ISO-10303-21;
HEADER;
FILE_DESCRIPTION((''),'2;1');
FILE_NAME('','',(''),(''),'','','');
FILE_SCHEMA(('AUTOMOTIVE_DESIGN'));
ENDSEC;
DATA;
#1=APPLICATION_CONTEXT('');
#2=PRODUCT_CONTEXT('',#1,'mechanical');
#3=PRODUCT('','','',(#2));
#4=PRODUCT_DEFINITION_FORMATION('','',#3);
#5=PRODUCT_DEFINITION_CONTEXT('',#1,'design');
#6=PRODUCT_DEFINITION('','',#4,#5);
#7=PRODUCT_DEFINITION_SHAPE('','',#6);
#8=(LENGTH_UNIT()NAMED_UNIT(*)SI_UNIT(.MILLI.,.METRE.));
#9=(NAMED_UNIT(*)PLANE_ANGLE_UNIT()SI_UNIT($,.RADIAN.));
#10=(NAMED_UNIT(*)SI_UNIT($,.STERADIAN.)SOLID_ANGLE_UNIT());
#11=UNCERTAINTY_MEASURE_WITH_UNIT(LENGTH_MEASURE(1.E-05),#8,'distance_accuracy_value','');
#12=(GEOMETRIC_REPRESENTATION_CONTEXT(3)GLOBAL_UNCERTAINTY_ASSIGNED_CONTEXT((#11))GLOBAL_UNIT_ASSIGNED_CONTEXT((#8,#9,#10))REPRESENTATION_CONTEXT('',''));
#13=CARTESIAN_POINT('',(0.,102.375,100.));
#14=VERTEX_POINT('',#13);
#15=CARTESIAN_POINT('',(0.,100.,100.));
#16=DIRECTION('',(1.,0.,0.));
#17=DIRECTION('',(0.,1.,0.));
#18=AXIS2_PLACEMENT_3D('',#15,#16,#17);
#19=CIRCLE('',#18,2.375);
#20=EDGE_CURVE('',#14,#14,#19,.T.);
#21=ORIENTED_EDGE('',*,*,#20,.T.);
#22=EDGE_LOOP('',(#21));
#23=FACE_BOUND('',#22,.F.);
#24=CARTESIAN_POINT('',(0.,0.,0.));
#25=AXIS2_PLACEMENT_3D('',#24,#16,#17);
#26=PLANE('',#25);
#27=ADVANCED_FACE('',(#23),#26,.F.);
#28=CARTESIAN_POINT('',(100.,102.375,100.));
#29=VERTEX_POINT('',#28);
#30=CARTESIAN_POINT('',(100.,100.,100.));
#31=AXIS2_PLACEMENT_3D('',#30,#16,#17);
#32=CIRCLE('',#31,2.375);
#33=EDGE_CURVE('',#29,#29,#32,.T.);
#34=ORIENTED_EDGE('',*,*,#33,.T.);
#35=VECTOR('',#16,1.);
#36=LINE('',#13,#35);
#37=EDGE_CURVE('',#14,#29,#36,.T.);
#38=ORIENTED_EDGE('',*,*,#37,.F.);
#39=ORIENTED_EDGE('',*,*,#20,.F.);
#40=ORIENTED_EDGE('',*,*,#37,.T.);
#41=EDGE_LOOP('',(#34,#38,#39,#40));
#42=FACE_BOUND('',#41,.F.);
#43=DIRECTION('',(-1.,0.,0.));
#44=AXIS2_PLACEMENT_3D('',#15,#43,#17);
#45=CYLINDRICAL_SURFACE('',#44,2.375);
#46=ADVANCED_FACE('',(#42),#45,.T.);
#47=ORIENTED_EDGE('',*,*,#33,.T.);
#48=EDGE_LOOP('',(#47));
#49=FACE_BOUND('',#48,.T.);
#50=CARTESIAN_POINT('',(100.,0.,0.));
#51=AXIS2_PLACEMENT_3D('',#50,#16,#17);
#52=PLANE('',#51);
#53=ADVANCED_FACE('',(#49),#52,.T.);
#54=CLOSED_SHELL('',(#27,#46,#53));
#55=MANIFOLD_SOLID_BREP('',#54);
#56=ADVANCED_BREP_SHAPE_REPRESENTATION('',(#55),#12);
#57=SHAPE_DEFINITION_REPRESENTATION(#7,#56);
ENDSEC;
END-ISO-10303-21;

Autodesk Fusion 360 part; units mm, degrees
sketch "handler" plane through (0, 0, 0) normal (1, 0, 0) x (0, 1, 0)
  circle A0 centre (100, 100) radius 2.375
  point P0 (100, 100)
  dimension "d4" = 4.75
extrude "Extrude2" add sketch "handler" along normal blind 100
sketch "main" plane through (0, 0, 0) normal (1, 0, 0) x (0, 1, 0)
  line L0 (-33.7556, 87.8206) -> (-29.079, 87.3528)
  line L1 (-29.079, 87.3528) -> (-26.3355, 91.169)
  line L2 (-26.3355, 91.169) -> (-28.2688, 95.453)
  line L3 (-28.2688, 95.453) -> (-32.9454, 95.9208)
  line L4 (-32.9454, 95.9208) -> (-35.6889, 92.1046)
  line L5 (-35.6889, 92.1046) -> (-33.7556, 87.8206)
  point P0 (-31.0122, 91.6368)
  dimension "d7" = 4.7
extrude "Extrude1" [suppressed]
